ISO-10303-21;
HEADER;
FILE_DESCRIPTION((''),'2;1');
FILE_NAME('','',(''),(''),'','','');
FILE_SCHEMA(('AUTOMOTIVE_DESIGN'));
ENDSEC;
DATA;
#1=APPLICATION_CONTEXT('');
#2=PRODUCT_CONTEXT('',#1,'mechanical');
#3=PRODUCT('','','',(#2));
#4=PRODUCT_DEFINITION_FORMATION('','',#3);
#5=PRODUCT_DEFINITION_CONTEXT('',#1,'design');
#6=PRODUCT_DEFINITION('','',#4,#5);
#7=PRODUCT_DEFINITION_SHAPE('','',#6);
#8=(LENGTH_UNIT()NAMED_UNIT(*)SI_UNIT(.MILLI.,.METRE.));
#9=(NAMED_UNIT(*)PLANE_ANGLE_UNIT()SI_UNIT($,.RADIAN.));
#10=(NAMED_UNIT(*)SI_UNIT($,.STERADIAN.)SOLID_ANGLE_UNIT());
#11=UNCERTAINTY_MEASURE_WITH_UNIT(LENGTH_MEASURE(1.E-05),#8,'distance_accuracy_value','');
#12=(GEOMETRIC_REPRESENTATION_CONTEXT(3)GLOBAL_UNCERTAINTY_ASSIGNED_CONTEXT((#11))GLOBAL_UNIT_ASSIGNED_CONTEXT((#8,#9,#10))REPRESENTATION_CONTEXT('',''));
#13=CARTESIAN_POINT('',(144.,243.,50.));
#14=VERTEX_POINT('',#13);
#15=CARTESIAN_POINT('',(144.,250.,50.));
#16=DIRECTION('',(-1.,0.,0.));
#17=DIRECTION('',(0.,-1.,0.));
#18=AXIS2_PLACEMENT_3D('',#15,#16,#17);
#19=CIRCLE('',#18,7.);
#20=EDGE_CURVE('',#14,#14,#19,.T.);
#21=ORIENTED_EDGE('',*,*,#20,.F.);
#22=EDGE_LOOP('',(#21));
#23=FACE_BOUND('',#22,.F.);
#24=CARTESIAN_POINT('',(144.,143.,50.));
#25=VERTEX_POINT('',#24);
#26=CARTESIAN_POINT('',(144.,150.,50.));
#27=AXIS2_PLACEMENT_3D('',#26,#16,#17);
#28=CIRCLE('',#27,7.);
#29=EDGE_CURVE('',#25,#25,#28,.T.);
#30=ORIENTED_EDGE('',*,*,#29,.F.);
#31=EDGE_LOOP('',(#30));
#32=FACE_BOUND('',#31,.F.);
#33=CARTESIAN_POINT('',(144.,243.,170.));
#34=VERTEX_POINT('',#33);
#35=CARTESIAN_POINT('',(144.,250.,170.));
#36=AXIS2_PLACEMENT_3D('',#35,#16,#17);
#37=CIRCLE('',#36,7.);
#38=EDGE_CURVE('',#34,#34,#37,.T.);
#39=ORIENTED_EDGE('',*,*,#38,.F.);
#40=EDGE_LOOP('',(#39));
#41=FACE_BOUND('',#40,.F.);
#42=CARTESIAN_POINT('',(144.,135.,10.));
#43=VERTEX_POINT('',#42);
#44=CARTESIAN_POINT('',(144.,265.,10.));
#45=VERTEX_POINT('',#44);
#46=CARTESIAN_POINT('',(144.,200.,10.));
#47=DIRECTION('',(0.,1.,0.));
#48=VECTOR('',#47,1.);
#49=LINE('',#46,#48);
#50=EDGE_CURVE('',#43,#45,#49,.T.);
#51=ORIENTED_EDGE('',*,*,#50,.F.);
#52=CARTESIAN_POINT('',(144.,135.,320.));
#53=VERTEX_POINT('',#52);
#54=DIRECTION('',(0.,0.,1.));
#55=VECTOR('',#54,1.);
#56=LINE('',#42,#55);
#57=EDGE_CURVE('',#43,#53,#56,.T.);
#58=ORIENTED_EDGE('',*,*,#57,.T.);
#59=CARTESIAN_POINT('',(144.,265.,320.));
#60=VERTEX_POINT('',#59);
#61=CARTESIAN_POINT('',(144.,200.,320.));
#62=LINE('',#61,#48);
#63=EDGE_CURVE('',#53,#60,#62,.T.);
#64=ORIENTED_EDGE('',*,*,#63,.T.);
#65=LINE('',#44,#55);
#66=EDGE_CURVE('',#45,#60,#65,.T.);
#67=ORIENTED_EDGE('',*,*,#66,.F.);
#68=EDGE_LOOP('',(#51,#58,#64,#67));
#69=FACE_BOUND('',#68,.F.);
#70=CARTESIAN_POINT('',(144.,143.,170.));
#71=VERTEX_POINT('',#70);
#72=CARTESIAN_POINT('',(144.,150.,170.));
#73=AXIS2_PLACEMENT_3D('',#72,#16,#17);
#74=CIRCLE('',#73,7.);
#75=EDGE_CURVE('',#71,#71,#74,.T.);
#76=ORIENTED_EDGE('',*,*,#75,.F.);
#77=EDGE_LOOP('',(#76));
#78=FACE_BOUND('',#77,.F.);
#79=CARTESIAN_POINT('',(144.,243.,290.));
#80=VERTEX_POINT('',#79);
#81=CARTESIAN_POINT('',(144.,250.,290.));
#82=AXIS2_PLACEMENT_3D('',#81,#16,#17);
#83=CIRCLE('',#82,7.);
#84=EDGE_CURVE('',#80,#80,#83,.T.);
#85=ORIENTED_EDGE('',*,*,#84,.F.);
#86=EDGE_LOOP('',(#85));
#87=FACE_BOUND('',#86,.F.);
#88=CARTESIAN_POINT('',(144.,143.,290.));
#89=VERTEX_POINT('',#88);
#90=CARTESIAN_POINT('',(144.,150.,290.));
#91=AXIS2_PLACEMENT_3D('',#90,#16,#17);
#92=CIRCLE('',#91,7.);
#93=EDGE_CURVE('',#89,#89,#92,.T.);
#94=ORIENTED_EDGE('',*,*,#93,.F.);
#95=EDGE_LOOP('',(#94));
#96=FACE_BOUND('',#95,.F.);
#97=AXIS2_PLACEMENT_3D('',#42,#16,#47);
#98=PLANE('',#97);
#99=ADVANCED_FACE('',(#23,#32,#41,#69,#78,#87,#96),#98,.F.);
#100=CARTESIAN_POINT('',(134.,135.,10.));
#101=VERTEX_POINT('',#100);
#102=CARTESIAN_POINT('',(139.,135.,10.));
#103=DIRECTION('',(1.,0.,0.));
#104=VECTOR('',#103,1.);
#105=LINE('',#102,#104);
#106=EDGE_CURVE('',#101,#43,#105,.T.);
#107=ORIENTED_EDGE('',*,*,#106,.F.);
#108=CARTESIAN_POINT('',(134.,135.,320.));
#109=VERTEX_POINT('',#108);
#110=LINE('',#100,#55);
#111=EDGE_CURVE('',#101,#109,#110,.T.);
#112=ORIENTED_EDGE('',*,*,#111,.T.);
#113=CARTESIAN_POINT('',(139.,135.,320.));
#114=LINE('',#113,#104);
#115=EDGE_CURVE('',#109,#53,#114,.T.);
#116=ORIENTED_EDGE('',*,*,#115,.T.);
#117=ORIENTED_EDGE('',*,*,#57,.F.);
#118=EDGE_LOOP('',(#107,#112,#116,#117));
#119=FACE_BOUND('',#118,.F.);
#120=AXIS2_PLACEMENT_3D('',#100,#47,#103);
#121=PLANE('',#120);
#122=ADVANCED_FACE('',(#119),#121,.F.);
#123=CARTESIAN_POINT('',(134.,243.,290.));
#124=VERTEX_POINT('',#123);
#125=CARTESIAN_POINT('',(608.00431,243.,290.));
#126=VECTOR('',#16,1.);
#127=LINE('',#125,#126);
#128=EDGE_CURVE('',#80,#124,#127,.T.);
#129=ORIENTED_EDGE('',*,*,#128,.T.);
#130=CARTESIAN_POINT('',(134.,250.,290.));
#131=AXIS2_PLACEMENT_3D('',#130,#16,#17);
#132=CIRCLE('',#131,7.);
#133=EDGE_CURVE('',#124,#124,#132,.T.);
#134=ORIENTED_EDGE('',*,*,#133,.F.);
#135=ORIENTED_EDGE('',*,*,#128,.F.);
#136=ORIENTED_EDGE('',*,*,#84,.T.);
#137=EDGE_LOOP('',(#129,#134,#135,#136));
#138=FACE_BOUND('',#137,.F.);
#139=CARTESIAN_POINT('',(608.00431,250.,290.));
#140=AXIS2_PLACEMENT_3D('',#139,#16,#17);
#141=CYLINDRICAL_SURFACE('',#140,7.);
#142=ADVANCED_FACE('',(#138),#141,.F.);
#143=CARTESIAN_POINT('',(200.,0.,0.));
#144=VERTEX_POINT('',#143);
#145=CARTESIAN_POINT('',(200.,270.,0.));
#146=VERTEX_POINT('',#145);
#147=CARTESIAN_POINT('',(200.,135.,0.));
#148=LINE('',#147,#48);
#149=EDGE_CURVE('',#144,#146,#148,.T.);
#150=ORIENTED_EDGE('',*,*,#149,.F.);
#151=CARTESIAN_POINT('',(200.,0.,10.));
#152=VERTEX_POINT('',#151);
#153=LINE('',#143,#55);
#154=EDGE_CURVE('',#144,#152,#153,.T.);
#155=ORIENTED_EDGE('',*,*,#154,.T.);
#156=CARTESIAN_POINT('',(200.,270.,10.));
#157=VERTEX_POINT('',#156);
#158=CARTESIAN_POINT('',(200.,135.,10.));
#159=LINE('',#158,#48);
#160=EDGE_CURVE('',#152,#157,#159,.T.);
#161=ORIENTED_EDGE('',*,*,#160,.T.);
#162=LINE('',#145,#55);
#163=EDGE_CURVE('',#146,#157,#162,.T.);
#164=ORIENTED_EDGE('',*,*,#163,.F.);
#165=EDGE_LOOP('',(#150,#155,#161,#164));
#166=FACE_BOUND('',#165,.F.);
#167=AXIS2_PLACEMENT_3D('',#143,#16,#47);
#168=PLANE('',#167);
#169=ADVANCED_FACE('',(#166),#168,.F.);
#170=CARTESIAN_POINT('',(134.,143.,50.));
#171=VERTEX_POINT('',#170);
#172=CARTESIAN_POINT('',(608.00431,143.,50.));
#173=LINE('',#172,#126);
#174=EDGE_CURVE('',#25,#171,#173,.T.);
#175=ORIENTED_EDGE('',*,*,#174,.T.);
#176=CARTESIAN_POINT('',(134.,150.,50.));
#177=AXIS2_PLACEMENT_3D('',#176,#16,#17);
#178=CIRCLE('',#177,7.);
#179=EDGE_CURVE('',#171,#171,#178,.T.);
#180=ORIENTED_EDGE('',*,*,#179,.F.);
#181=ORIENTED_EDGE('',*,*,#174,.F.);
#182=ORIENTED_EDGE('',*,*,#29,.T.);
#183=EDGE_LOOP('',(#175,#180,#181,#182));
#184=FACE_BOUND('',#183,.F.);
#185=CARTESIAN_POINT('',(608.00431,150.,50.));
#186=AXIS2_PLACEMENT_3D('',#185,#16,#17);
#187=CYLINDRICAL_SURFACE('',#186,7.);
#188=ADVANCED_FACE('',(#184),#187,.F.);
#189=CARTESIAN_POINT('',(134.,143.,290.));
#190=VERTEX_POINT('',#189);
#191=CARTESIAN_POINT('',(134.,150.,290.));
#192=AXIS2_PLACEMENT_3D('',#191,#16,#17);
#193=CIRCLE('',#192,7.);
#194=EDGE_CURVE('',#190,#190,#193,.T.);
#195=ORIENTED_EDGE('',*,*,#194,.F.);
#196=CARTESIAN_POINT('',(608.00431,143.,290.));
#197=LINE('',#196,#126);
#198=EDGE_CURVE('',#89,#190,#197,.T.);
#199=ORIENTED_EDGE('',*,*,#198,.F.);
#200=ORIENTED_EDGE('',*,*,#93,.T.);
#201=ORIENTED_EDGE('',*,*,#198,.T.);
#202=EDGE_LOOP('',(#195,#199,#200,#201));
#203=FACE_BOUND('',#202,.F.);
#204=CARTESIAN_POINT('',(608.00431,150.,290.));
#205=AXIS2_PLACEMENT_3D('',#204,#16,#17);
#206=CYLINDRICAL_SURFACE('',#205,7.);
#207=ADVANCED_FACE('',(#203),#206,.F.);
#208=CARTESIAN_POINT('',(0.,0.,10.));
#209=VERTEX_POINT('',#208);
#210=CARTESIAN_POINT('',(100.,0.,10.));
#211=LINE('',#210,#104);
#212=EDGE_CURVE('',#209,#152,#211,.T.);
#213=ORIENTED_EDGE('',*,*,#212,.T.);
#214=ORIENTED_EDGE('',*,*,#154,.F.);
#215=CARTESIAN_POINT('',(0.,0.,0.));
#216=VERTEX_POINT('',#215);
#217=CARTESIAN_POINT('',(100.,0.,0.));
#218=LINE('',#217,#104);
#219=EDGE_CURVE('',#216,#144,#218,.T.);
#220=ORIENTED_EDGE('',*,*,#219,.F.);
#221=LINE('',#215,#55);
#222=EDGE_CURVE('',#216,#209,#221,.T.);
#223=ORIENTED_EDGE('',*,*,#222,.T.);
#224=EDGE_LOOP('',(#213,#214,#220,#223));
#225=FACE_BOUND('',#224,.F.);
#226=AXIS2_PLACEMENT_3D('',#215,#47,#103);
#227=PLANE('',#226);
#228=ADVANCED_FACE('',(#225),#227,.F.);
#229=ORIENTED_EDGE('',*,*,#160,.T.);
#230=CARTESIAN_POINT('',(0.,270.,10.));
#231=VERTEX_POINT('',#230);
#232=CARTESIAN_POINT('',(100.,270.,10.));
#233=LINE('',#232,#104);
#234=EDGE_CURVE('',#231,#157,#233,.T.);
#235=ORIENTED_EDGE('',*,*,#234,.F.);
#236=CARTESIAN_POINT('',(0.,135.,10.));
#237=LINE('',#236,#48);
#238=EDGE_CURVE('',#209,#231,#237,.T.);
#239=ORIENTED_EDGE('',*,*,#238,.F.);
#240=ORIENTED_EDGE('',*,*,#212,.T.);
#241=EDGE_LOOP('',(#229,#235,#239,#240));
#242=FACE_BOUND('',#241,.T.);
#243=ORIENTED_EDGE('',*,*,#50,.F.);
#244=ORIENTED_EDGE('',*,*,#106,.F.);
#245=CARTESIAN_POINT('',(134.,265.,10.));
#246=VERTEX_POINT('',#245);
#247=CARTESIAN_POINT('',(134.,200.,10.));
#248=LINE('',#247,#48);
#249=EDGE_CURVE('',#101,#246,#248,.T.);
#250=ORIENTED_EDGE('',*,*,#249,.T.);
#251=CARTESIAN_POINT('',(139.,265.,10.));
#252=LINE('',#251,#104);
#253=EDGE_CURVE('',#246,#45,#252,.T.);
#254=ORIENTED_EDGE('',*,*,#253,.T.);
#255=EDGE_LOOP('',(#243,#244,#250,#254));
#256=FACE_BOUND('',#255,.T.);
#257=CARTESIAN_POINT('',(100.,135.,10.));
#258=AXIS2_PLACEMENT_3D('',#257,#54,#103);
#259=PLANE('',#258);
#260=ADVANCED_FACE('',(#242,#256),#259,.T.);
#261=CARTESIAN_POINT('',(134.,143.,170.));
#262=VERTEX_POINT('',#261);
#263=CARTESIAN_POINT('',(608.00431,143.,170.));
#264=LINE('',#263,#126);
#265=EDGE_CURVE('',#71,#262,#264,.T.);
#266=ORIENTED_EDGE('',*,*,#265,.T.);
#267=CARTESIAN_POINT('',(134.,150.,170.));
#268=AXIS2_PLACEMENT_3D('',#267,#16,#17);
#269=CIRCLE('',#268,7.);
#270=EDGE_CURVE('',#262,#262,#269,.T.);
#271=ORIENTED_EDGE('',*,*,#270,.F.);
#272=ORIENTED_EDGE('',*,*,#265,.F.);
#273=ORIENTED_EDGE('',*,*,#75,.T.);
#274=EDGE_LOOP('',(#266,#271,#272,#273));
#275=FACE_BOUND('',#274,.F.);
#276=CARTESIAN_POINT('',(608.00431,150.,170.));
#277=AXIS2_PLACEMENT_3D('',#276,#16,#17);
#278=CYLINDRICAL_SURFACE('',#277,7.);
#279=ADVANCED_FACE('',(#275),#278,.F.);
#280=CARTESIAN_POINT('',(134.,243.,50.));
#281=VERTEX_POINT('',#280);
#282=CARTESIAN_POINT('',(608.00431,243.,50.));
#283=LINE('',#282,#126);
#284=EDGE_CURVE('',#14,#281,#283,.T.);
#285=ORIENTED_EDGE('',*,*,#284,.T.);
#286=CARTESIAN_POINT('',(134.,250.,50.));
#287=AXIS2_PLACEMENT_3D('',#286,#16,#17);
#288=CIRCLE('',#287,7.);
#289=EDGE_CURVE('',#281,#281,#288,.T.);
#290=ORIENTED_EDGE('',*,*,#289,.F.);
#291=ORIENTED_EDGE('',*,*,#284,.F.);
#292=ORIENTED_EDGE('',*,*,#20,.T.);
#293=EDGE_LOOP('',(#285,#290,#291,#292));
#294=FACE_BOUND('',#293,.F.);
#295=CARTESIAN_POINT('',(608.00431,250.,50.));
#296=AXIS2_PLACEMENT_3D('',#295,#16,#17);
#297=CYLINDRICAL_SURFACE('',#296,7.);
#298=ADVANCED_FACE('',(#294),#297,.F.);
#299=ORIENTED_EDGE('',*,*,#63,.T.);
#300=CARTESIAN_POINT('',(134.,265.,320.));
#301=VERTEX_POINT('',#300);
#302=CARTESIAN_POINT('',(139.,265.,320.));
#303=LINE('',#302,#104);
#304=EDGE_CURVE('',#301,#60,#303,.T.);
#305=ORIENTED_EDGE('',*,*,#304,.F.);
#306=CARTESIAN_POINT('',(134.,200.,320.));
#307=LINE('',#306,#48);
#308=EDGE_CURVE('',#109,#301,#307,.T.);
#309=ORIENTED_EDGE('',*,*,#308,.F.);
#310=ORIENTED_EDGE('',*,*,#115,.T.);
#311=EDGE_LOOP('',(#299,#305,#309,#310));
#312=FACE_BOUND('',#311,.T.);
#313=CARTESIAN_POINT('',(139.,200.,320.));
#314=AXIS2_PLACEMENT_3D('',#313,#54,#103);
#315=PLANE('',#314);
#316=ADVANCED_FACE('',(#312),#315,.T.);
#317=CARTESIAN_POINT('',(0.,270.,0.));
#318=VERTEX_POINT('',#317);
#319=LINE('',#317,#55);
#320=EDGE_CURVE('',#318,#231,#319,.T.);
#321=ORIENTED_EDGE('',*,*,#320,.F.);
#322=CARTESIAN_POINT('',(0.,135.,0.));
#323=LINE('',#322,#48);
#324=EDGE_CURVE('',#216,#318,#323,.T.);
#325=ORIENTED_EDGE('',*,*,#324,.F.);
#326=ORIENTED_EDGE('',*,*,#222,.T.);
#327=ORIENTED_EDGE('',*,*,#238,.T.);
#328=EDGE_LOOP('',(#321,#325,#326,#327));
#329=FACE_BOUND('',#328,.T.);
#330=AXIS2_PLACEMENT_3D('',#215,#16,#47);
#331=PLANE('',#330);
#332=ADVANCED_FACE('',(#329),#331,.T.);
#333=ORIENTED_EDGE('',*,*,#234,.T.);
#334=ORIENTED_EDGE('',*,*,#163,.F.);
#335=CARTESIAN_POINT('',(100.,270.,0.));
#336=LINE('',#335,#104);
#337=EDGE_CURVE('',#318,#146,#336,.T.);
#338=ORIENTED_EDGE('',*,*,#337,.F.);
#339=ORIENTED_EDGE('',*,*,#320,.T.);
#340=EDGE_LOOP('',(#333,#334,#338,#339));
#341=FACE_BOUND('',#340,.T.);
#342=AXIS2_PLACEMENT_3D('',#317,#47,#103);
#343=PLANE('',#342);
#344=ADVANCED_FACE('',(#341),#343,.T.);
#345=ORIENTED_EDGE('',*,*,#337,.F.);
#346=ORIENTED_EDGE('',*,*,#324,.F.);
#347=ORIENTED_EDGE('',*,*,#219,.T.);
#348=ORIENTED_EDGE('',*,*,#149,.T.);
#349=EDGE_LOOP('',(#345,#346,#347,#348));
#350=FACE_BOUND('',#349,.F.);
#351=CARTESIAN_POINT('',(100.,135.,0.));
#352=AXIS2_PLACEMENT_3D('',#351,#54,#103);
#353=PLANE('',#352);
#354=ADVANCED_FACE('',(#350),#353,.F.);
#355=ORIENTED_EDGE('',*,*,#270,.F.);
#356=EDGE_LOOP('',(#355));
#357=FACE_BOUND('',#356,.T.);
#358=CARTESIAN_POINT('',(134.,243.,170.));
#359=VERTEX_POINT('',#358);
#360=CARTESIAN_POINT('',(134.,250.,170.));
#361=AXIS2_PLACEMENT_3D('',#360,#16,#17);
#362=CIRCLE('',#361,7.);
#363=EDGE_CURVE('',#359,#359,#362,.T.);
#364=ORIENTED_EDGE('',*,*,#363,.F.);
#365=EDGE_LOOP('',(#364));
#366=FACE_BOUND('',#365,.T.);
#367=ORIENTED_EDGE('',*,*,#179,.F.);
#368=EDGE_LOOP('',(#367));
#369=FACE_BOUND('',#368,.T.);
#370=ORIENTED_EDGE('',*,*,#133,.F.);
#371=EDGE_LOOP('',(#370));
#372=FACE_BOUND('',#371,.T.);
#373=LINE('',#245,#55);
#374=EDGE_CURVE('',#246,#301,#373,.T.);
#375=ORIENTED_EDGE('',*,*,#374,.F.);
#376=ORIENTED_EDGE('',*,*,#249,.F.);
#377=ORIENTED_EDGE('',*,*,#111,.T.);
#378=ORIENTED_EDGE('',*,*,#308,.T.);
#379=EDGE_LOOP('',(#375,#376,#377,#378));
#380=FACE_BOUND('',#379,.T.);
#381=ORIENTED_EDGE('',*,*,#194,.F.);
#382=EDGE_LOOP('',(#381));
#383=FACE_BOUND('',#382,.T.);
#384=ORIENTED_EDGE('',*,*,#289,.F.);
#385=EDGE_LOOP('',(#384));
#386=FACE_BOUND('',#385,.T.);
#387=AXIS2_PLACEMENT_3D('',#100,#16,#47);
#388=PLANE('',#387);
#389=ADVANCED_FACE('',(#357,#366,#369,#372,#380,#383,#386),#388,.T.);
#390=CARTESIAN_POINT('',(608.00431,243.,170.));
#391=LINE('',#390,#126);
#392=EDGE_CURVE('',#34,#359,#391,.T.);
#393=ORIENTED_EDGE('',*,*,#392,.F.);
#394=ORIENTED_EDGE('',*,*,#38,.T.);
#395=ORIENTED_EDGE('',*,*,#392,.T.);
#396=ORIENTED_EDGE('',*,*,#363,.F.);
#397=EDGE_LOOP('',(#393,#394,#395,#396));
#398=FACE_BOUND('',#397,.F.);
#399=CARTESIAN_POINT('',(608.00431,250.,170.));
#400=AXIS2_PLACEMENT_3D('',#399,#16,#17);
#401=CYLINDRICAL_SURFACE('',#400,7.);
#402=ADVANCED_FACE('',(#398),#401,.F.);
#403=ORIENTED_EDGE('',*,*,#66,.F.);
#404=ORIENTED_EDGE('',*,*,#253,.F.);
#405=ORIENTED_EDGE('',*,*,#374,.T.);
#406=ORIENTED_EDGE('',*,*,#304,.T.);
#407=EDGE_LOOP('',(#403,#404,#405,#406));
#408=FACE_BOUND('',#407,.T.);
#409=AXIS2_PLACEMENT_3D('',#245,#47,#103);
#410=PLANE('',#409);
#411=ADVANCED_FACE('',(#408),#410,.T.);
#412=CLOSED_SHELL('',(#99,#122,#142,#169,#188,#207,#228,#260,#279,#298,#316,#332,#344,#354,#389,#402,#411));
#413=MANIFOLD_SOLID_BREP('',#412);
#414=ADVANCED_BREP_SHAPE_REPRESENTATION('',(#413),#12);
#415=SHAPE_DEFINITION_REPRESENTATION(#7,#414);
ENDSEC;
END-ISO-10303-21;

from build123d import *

# Parameters (mm, degrees)
F0_W     = 200
F0_H     = 270
F1_DEPTH = 10
F2_W     = 10
F2_H     = 130
F3_DEPTH = 310
F5_D     = 14


with BuildPart() as f1:
    # F0 (on Top) → F1 (new body)
    with BuildSketch(Plane.XY):
        with Locations((100, 135)):
            Rectangle(F0_W, F0_H)
    extrude(amount=F1_DEPTH)

    # F2 (on face) → F3 (join)
    with BuildSketch(Plane.XY.offset(10)):
        with Locations((139, 200)):
            Rectangle(F2_W, F2_H)
    extrude(amount=F3_DEPTH)

    # F5 (through all)
    with Locations(Plane.YZ.offset(144)):
        with Locations((150, 290), (250, 290), (250, 170), (150, 170), (150, 50), (250, 50)):
            Hole(F5_D / 2)


solid = f1.part
